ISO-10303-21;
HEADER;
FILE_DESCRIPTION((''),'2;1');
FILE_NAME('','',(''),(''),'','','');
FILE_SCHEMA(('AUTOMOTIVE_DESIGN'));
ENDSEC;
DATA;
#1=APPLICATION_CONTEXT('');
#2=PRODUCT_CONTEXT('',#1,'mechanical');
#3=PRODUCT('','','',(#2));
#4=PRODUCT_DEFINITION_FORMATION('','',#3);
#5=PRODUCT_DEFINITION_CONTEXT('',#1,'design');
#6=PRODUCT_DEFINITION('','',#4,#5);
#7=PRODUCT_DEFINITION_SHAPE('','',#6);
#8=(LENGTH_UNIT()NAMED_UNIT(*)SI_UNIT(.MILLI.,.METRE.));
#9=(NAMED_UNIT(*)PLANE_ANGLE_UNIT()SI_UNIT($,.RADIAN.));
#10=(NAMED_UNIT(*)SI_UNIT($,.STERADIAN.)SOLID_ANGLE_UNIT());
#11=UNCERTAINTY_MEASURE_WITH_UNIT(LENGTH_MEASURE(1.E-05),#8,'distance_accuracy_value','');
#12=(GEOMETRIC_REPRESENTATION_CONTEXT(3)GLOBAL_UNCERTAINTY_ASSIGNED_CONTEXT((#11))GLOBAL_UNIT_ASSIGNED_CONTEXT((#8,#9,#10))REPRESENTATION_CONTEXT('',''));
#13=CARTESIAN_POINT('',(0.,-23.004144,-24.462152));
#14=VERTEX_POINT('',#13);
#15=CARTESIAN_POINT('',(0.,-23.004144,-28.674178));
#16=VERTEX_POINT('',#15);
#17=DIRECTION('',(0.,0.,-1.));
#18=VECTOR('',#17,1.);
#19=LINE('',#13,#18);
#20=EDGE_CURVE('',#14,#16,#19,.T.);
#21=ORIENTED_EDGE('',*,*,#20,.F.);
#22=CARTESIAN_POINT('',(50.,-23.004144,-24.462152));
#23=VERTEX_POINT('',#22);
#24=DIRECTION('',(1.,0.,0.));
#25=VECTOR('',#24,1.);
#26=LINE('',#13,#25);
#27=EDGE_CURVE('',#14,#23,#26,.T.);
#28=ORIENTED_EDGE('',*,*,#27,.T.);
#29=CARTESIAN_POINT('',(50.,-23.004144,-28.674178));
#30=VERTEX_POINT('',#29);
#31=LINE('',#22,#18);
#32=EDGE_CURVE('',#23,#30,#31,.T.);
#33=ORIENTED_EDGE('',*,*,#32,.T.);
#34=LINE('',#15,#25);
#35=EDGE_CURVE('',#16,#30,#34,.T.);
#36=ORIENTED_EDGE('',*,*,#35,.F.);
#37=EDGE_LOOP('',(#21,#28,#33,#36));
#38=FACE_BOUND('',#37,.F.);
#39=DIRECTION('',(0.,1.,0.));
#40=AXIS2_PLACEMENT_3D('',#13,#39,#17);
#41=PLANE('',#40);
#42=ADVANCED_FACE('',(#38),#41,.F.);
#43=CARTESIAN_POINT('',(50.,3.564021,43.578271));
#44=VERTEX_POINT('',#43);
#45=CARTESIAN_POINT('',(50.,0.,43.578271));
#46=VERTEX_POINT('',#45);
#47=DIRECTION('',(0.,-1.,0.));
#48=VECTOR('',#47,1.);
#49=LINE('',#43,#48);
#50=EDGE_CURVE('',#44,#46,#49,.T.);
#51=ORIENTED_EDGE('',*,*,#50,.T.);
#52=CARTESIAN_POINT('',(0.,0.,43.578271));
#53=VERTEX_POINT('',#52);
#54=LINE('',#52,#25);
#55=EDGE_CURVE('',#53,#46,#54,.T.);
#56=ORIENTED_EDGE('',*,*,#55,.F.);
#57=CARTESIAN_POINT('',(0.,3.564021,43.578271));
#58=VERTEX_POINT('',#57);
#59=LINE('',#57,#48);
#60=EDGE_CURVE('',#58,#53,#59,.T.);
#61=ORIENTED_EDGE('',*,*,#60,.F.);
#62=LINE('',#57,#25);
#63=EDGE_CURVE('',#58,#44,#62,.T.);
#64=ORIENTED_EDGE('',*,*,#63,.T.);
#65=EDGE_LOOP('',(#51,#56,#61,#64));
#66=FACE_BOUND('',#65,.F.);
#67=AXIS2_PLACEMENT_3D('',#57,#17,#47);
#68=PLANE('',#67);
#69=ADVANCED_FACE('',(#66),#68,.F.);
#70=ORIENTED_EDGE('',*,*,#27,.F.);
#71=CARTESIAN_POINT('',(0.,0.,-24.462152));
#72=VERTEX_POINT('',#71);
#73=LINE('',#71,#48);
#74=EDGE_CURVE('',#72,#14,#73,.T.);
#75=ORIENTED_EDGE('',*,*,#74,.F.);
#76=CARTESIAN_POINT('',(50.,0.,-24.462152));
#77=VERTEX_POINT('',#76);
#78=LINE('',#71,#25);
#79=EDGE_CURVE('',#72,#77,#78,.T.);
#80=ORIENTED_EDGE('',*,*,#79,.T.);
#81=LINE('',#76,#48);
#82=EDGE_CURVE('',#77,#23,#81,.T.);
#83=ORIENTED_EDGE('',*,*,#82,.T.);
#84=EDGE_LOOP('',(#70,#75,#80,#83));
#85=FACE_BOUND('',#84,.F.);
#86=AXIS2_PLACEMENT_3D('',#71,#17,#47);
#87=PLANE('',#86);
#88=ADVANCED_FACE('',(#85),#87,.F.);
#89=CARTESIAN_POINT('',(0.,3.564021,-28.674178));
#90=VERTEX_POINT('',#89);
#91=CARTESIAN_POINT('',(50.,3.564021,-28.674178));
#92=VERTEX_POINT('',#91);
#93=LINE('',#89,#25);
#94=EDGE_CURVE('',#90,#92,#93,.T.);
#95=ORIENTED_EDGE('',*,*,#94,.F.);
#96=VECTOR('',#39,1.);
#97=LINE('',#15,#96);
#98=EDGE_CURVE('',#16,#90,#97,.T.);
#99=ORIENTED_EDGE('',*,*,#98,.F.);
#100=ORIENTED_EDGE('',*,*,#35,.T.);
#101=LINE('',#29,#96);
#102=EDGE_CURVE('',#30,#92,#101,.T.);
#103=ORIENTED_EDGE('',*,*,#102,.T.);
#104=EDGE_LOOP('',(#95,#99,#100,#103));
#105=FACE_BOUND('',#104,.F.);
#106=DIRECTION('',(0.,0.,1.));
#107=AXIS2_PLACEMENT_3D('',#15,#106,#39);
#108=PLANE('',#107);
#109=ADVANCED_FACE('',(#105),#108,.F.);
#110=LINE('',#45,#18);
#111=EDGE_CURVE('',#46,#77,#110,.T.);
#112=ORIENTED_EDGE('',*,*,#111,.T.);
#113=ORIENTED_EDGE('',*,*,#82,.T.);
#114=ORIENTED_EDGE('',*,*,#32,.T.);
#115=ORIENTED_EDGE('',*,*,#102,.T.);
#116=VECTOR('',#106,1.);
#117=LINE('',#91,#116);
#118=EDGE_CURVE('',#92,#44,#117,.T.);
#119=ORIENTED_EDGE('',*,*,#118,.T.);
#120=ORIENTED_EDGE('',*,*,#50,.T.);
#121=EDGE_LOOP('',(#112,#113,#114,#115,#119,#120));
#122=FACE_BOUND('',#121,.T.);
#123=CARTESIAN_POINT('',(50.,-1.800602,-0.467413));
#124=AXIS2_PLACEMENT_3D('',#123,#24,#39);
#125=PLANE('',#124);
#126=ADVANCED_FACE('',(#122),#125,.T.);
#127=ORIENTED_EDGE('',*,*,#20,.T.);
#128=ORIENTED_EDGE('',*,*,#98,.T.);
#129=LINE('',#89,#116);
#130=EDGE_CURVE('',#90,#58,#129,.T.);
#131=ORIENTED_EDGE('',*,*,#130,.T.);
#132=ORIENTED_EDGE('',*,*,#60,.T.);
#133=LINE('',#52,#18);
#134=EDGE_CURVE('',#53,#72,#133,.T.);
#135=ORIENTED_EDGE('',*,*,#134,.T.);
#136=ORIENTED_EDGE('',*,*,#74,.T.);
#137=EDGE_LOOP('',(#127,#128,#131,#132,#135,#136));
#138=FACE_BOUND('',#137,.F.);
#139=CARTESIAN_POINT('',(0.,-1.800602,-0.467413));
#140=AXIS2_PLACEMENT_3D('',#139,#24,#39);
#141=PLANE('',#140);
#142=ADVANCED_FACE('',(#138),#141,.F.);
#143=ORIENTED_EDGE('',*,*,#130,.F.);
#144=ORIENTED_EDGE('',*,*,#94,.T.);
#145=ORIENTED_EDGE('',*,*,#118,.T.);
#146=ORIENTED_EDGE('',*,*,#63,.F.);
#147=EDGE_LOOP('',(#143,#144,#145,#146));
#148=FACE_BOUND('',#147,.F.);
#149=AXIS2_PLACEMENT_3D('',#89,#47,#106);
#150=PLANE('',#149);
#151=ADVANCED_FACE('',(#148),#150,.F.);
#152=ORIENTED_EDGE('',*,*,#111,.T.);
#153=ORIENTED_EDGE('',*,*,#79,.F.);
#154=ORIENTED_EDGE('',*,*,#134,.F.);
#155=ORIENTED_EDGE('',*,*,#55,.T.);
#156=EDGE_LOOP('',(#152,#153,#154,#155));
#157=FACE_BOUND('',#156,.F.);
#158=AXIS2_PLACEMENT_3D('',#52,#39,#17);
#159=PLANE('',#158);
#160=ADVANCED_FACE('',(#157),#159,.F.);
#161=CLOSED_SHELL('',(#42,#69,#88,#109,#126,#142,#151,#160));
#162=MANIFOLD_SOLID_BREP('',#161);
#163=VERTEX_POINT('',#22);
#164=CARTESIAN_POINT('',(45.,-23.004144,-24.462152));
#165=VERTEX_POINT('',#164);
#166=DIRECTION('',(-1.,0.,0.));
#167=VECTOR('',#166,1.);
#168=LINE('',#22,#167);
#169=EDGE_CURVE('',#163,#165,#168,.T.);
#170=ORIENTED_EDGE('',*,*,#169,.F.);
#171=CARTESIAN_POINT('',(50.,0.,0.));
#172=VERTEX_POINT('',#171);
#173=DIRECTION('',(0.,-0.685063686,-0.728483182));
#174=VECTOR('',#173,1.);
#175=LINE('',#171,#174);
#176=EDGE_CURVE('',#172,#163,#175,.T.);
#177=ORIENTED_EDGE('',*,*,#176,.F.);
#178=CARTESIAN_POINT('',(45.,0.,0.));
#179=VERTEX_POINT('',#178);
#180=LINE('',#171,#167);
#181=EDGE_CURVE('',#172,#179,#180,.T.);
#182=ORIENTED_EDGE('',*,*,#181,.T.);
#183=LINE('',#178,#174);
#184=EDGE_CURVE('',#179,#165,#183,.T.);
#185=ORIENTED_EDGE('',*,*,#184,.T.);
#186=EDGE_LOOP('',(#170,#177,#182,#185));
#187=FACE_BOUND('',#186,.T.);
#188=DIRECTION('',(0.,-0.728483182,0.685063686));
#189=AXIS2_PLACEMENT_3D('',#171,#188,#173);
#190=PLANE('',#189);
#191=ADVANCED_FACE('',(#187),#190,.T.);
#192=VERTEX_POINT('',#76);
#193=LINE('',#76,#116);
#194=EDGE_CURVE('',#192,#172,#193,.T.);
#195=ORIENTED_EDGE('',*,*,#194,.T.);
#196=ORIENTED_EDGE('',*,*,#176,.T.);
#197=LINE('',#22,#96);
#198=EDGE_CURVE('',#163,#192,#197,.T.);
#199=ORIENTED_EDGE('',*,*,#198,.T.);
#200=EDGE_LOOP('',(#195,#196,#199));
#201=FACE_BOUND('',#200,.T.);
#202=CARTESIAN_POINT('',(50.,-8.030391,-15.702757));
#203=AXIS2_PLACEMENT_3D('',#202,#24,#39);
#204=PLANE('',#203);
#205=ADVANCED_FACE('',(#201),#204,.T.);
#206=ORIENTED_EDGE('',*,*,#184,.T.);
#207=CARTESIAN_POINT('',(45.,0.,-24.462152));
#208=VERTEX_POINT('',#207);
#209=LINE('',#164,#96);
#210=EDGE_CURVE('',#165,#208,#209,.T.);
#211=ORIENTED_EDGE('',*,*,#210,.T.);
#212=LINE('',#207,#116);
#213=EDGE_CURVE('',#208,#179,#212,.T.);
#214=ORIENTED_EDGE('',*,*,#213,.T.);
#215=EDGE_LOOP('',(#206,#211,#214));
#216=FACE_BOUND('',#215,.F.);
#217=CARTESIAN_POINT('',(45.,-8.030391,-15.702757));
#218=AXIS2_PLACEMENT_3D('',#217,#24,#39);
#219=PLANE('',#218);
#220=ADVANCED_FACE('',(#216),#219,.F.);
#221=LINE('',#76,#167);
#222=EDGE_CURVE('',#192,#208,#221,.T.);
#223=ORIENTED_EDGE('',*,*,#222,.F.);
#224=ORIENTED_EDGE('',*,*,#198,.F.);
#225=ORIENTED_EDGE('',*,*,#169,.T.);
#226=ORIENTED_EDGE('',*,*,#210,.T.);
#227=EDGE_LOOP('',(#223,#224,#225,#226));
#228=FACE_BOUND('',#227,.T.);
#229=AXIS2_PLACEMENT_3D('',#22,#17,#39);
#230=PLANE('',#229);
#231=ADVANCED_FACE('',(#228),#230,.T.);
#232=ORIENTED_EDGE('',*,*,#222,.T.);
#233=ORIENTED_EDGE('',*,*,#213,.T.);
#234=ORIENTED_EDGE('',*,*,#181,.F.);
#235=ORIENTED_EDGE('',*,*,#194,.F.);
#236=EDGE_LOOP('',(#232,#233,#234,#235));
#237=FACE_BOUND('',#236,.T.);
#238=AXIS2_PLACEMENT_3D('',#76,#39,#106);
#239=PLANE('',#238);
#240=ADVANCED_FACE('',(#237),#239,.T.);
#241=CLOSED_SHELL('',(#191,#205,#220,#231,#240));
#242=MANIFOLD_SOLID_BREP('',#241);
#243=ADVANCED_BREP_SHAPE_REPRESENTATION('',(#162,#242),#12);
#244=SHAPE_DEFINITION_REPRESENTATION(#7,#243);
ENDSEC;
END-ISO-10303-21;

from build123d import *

# Parameters (mm, degrees)
F1_DEPTH = 50
F3_DEPTH = 5


with BuildPart() as f1:
    # F0 (on Right) → F1 (new body)
    with BuildSketch(Plane.YZ):
        Polygon((3.564021, 43.578271), (0, 43.578271), (0, -24.462152), (-23.004144, -24.462152), (-23.004144, -28.674178), (3.564021, -28.674178), align=None)
    extrude(amount=F1_DEPTH)


with BuildPart() as f3:
    # F2 (on face) → F3 (new body)
    with BuildSketch(Plane.YZ.offset(50)):
        Polygon((0, -24.462152), (0, 0), (-23.004144, -24.462152), align=None)
    extrude(amount=-F3_DEPTH)


solid = Compound([f1.part, f3.part])
